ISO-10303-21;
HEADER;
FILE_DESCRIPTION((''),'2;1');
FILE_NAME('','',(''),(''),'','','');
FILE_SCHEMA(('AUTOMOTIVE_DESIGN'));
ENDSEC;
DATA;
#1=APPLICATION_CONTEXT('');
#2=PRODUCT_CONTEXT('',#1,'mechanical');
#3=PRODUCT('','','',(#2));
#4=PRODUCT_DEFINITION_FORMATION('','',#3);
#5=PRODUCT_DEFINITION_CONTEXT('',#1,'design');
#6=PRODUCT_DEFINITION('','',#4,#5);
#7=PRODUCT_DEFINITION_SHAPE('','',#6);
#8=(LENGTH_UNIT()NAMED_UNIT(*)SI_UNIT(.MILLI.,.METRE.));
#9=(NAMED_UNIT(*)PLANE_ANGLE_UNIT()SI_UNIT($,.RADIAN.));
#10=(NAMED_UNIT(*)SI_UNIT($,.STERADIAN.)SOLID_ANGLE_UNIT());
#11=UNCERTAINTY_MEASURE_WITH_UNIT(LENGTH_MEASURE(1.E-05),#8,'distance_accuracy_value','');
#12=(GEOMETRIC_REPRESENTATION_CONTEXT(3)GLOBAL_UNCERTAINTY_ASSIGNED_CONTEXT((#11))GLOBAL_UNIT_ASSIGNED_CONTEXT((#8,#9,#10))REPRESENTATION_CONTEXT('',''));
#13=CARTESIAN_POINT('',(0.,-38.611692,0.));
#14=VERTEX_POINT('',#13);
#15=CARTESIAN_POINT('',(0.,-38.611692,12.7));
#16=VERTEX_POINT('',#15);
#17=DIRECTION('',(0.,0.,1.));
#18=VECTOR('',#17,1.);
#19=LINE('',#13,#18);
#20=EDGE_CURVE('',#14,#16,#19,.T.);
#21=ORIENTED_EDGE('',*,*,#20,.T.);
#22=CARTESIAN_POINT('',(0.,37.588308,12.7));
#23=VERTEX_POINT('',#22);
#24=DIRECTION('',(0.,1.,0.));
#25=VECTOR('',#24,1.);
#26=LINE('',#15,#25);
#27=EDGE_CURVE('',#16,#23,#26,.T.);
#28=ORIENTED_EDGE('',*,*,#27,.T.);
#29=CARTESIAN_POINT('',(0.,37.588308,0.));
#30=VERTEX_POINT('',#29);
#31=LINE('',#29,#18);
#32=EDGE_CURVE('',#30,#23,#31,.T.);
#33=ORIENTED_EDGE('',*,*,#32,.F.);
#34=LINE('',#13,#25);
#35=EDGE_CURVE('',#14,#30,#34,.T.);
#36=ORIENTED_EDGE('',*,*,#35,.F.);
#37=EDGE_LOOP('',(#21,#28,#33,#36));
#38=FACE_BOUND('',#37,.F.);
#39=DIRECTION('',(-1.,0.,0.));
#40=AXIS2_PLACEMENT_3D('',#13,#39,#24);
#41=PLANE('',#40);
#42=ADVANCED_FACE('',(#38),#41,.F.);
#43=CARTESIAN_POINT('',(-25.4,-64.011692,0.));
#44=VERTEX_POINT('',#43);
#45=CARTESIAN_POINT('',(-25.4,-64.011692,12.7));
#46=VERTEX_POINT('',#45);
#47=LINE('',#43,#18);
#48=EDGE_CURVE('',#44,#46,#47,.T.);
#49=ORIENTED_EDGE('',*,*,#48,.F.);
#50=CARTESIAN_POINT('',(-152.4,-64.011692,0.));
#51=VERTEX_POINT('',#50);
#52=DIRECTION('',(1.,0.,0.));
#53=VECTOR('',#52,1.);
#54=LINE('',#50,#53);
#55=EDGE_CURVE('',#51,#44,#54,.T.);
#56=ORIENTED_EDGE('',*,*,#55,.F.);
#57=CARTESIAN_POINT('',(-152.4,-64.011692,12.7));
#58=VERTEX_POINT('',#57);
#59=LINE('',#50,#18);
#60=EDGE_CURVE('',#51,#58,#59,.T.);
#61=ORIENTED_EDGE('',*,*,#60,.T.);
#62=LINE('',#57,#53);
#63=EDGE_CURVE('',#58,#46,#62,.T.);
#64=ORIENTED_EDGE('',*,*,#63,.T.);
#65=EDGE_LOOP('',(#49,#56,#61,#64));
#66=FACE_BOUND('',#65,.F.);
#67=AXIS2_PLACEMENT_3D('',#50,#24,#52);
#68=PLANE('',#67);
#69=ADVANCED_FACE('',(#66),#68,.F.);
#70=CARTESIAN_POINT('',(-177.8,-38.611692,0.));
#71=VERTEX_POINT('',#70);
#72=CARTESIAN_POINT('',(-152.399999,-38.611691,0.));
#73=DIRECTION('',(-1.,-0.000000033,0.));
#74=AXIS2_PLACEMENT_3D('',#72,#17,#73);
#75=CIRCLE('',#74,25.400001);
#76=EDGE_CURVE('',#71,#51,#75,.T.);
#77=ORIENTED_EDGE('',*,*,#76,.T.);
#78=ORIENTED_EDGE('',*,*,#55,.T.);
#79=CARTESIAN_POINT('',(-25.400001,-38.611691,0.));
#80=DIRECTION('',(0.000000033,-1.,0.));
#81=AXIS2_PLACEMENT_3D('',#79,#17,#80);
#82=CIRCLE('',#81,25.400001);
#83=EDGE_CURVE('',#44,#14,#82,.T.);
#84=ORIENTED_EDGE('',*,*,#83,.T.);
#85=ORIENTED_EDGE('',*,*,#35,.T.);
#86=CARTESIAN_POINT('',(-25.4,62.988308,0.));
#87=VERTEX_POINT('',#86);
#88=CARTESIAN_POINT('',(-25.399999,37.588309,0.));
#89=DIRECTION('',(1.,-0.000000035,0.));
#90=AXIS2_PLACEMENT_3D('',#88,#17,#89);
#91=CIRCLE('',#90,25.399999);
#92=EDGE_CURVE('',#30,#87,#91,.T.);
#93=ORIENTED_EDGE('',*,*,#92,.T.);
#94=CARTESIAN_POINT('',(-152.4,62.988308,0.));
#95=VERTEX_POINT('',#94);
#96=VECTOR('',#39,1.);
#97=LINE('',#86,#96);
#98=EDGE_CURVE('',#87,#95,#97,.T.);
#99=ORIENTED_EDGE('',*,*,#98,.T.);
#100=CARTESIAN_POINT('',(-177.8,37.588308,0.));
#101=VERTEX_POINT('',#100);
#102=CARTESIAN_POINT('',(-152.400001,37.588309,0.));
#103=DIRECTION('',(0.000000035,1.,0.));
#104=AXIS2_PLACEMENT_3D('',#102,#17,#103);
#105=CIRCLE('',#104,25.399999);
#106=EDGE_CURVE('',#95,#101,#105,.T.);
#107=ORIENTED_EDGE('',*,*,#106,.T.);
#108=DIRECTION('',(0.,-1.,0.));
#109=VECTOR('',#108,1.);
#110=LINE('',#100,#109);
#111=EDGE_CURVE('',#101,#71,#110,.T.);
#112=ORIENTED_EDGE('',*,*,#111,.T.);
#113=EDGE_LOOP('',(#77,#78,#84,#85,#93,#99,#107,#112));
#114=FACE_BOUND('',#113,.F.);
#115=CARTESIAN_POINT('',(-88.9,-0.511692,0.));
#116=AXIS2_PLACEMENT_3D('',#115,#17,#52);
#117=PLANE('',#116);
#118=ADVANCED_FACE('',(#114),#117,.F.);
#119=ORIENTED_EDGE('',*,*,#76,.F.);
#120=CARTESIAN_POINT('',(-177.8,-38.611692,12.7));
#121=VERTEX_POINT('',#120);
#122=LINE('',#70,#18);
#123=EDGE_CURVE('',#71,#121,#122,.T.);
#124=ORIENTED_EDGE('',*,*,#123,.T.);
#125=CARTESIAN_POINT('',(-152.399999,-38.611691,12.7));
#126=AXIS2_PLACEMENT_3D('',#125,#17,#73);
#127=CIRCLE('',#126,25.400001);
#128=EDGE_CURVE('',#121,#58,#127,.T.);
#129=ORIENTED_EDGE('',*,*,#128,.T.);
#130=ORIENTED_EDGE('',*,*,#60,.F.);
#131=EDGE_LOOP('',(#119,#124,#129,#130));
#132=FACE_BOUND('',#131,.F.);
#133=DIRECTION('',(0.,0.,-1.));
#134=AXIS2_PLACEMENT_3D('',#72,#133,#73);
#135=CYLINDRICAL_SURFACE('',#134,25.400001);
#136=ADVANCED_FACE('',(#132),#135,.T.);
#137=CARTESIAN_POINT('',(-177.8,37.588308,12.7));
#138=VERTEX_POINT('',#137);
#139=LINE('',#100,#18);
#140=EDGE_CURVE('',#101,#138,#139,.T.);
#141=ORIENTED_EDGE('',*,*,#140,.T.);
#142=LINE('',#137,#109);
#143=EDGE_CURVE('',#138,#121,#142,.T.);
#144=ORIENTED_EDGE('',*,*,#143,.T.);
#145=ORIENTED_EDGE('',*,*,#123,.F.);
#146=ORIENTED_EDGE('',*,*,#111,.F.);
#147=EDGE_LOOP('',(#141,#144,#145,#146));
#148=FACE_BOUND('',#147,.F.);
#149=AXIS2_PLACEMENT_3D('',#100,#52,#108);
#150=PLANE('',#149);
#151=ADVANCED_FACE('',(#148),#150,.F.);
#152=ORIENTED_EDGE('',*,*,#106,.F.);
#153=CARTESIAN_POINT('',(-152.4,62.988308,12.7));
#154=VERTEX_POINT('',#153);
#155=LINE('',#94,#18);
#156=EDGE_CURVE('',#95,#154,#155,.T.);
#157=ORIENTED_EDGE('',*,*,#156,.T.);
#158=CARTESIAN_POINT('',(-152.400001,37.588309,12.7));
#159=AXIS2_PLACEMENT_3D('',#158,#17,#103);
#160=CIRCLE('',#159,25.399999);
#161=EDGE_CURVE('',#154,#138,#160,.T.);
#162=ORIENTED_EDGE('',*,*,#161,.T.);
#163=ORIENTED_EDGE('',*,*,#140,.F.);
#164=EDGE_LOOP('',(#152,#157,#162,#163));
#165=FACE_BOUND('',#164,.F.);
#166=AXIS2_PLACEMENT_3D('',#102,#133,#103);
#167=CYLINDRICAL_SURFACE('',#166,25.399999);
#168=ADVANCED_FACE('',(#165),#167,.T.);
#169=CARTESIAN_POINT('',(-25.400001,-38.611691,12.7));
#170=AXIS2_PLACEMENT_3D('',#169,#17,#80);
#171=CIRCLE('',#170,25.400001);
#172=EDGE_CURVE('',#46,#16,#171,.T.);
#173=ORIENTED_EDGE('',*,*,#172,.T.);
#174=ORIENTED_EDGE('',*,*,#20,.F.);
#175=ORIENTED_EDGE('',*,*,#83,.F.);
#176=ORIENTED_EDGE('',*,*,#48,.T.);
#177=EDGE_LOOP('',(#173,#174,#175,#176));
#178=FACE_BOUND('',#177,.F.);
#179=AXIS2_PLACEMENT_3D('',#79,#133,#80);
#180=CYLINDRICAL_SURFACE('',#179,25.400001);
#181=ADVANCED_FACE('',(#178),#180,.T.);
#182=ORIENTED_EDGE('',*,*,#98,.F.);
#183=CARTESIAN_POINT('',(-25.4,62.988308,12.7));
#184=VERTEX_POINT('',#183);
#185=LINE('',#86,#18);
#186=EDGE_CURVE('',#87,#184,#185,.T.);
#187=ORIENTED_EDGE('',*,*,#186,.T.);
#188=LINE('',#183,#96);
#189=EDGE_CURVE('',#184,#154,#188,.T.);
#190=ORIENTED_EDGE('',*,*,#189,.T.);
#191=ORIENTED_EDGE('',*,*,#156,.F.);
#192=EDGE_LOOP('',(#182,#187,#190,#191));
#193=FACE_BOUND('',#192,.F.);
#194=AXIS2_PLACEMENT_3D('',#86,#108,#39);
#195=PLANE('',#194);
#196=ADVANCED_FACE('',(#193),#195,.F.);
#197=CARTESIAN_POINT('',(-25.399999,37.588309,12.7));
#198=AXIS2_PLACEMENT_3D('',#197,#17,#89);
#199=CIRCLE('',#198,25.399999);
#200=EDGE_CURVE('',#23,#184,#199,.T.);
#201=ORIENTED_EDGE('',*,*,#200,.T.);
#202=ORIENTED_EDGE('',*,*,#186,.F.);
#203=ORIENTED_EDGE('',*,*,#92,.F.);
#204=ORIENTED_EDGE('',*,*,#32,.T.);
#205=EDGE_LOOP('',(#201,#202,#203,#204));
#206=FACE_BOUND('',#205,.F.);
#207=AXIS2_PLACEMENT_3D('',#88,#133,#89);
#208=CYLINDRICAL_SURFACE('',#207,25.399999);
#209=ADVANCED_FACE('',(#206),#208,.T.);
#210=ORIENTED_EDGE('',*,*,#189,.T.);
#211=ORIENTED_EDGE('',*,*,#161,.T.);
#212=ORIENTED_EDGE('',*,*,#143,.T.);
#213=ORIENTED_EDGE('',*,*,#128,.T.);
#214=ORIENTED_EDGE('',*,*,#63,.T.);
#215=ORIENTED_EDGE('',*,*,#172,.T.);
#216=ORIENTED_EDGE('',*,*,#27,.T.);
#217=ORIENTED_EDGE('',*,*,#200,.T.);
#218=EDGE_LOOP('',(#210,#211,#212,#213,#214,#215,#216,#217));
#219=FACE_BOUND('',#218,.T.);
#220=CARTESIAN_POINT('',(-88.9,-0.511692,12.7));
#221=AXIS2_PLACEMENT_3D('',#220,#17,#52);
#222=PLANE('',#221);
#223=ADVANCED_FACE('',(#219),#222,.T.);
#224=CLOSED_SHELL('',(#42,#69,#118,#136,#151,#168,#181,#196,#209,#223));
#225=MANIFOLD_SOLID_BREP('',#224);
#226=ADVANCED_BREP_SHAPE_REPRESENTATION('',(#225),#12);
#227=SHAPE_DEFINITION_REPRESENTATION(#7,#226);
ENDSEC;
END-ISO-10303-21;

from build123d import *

# Parameters (mm, degrees)
F1_DEPTH = 12.7


with BuildPart() as f1:
    # F0 (on Top) → F1 (new body)
    with BuildSketch(Plane.XY):
        with BuildLine():
            Line((0, -38.611692), (0, 0))
            Line((0, 0), (0, 37.588308))
            ThreePointArc((0, 37.588308), (-7.439488, 55.548821), (-25.4, 62.988308))
            Line((-25.4, 62.988308), (-152.4, 62.988308))
            ThreePointArc((-152.4, 62.988308), (-170.360512, 55.548821), (-177.8, 37.588308))
            Line((-177.8, 37.588308), (-177.8, -38.611692))
            ThreePointArc((-177.8, -38.611692), (-170.360512, -56.572204), (-152.4, -64.011692))
            Line((-152.4, -64.011692), (-25.4, -64.011692))
            ThreePointArc((-25.4, -64.011692), (-7.439488, -56.572204), (0, -38.611692))
        make_face()
    extrude(amount=F1_DEPTH)


solid = f1.part
